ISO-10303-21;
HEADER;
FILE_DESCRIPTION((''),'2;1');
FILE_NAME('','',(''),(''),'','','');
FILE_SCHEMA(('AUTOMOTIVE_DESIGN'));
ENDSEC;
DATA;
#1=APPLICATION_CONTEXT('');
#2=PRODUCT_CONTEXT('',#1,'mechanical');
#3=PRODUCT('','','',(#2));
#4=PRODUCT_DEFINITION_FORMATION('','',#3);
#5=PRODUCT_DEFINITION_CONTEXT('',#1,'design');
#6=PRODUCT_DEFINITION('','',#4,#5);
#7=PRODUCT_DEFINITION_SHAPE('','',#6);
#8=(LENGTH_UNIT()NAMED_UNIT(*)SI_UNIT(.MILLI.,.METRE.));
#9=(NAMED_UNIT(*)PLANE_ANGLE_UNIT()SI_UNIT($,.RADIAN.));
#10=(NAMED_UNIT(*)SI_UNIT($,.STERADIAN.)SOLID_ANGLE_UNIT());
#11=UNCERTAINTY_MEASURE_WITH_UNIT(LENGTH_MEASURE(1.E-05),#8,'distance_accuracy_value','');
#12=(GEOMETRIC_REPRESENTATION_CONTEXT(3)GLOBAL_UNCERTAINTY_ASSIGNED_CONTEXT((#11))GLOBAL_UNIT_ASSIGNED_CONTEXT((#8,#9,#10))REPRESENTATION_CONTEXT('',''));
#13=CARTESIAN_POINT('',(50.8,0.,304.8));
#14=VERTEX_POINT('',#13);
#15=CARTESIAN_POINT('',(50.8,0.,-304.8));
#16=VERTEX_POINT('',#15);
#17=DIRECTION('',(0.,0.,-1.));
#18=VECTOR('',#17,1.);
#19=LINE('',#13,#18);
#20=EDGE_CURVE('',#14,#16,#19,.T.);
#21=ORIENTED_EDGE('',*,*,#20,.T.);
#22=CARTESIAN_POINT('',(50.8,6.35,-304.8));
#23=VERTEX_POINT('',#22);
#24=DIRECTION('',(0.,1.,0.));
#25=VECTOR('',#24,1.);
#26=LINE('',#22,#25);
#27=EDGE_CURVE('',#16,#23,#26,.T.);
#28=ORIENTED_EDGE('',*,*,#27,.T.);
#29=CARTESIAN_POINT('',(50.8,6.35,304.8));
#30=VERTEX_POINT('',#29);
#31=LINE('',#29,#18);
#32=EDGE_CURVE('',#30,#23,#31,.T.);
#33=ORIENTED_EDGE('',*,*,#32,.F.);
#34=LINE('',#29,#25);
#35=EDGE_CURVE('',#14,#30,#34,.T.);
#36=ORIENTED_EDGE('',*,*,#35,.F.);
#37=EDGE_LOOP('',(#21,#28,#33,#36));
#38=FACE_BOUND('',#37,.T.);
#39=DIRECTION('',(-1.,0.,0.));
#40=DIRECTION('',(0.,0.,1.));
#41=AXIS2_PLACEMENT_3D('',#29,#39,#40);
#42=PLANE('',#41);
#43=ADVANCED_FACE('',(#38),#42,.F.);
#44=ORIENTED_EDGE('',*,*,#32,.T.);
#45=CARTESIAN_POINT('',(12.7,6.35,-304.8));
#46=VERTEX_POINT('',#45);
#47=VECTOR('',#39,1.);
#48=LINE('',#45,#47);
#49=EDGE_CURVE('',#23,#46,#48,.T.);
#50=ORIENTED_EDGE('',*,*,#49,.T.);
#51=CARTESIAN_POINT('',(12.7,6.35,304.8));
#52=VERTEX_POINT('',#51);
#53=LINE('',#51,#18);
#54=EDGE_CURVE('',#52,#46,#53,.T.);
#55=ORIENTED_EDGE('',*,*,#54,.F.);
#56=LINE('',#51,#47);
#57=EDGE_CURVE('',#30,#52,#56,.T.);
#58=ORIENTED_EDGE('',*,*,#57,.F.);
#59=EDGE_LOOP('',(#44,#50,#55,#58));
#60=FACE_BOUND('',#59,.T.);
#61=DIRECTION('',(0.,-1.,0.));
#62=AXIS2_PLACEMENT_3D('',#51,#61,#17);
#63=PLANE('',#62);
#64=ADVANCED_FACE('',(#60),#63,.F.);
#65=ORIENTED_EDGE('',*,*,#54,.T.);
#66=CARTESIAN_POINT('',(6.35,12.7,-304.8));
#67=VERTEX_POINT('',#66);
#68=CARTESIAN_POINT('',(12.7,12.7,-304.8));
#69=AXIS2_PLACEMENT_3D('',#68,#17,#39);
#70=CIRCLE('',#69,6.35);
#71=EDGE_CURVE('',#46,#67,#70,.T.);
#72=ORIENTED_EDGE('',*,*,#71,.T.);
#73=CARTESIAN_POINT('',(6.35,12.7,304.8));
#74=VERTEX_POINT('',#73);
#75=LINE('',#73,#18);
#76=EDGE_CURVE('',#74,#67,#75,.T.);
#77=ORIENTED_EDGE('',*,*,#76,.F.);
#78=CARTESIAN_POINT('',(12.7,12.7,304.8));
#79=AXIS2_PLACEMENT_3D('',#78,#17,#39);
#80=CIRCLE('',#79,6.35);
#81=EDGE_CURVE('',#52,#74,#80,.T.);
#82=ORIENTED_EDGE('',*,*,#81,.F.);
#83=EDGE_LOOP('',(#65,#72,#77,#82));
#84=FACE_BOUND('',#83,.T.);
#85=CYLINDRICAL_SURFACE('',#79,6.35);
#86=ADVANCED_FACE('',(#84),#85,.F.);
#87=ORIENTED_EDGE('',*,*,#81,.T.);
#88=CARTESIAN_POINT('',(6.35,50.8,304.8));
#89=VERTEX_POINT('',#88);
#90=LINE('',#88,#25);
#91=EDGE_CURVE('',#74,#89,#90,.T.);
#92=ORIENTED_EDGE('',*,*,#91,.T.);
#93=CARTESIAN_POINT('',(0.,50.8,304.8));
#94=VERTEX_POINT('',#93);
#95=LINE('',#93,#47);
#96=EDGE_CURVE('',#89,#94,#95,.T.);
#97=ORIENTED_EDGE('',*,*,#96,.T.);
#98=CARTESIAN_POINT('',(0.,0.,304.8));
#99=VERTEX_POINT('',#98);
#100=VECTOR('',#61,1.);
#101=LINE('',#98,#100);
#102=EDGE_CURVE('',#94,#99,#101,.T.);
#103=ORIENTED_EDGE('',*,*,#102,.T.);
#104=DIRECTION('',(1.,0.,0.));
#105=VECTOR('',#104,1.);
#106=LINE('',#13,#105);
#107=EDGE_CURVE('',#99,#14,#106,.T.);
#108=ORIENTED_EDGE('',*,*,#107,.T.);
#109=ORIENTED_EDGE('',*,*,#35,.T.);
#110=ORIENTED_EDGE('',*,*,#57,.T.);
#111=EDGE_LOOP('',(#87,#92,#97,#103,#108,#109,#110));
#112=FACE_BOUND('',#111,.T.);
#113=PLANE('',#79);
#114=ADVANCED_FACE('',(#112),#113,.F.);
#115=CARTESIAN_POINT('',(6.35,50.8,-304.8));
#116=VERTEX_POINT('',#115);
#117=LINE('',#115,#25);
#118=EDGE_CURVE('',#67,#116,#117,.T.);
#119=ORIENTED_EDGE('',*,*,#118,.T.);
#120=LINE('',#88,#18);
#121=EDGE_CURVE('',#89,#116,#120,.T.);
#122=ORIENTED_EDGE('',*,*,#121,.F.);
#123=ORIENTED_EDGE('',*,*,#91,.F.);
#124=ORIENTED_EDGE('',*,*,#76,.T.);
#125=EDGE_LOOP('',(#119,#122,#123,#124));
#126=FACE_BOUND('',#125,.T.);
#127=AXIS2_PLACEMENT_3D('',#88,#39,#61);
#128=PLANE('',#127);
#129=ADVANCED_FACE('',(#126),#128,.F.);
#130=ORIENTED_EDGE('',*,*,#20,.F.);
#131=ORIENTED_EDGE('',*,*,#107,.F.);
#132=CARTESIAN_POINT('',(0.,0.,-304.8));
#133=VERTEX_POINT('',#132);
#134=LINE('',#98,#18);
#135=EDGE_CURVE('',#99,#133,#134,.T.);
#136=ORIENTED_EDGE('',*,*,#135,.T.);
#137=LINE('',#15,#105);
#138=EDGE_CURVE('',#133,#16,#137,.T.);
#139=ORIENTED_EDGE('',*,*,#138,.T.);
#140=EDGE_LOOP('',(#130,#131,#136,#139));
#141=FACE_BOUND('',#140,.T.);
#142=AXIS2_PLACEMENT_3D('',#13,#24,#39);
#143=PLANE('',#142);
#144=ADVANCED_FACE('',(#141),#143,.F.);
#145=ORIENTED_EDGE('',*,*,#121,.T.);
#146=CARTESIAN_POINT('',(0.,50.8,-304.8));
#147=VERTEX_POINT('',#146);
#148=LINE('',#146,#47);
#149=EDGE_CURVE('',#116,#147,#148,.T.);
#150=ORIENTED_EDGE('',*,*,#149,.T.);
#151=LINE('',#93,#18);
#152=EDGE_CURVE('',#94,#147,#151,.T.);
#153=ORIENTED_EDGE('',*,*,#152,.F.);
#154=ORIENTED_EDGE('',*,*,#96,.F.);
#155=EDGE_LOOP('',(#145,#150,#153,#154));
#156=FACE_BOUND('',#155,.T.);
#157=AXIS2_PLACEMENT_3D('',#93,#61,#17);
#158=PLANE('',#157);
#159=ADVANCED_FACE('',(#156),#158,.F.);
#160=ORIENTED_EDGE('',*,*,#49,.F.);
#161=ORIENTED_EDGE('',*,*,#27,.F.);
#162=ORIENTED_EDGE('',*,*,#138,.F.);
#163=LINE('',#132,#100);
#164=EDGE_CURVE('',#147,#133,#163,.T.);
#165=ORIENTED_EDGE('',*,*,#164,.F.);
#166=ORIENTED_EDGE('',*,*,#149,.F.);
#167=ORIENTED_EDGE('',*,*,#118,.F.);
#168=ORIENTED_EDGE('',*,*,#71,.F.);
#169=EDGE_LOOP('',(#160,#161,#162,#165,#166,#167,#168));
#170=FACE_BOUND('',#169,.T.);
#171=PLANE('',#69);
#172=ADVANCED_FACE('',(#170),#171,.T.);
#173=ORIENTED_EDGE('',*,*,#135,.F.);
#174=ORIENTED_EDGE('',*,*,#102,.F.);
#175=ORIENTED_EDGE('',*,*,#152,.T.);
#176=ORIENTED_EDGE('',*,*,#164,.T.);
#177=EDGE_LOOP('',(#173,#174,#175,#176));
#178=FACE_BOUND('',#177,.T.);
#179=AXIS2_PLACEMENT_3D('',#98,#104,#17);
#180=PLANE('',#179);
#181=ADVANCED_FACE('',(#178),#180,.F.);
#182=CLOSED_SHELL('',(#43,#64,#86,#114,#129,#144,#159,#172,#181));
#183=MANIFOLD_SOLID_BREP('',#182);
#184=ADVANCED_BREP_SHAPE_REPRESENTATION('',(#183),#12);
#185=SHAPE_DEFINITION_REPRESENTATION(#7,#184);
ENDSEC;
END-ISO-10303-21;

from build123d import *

# Parameters (mm, degrees)
BOSS_EXTRUDE1_DEPTH = 304.8


with BuildPart() as part:
    # Sketch2 → Boss-Extrude1 (new body, symmetric)
    with BuildSketch(Plane.XY):
        with BuildLine():
            Line((0, 0), (0, 50.8))
            Line((0, 50.8), (6.35, 50.8))
            Line((6.35, 50.8), (6.35, 12.7))
            ThreePointArc((6.35, 12.7), (8.209871939, 8.209871939), (12.7, 6.35))
            Line((12.7, 6.35), (50.8, 6.35))
            Line((50.8, 6.35), (50.8, 0))
            Line((50.8, 0), (0, 0))
        make_face()
    extrude(amount=BOSS_EXTRUDE1_DEPTH, both=True)


solid = part.part
